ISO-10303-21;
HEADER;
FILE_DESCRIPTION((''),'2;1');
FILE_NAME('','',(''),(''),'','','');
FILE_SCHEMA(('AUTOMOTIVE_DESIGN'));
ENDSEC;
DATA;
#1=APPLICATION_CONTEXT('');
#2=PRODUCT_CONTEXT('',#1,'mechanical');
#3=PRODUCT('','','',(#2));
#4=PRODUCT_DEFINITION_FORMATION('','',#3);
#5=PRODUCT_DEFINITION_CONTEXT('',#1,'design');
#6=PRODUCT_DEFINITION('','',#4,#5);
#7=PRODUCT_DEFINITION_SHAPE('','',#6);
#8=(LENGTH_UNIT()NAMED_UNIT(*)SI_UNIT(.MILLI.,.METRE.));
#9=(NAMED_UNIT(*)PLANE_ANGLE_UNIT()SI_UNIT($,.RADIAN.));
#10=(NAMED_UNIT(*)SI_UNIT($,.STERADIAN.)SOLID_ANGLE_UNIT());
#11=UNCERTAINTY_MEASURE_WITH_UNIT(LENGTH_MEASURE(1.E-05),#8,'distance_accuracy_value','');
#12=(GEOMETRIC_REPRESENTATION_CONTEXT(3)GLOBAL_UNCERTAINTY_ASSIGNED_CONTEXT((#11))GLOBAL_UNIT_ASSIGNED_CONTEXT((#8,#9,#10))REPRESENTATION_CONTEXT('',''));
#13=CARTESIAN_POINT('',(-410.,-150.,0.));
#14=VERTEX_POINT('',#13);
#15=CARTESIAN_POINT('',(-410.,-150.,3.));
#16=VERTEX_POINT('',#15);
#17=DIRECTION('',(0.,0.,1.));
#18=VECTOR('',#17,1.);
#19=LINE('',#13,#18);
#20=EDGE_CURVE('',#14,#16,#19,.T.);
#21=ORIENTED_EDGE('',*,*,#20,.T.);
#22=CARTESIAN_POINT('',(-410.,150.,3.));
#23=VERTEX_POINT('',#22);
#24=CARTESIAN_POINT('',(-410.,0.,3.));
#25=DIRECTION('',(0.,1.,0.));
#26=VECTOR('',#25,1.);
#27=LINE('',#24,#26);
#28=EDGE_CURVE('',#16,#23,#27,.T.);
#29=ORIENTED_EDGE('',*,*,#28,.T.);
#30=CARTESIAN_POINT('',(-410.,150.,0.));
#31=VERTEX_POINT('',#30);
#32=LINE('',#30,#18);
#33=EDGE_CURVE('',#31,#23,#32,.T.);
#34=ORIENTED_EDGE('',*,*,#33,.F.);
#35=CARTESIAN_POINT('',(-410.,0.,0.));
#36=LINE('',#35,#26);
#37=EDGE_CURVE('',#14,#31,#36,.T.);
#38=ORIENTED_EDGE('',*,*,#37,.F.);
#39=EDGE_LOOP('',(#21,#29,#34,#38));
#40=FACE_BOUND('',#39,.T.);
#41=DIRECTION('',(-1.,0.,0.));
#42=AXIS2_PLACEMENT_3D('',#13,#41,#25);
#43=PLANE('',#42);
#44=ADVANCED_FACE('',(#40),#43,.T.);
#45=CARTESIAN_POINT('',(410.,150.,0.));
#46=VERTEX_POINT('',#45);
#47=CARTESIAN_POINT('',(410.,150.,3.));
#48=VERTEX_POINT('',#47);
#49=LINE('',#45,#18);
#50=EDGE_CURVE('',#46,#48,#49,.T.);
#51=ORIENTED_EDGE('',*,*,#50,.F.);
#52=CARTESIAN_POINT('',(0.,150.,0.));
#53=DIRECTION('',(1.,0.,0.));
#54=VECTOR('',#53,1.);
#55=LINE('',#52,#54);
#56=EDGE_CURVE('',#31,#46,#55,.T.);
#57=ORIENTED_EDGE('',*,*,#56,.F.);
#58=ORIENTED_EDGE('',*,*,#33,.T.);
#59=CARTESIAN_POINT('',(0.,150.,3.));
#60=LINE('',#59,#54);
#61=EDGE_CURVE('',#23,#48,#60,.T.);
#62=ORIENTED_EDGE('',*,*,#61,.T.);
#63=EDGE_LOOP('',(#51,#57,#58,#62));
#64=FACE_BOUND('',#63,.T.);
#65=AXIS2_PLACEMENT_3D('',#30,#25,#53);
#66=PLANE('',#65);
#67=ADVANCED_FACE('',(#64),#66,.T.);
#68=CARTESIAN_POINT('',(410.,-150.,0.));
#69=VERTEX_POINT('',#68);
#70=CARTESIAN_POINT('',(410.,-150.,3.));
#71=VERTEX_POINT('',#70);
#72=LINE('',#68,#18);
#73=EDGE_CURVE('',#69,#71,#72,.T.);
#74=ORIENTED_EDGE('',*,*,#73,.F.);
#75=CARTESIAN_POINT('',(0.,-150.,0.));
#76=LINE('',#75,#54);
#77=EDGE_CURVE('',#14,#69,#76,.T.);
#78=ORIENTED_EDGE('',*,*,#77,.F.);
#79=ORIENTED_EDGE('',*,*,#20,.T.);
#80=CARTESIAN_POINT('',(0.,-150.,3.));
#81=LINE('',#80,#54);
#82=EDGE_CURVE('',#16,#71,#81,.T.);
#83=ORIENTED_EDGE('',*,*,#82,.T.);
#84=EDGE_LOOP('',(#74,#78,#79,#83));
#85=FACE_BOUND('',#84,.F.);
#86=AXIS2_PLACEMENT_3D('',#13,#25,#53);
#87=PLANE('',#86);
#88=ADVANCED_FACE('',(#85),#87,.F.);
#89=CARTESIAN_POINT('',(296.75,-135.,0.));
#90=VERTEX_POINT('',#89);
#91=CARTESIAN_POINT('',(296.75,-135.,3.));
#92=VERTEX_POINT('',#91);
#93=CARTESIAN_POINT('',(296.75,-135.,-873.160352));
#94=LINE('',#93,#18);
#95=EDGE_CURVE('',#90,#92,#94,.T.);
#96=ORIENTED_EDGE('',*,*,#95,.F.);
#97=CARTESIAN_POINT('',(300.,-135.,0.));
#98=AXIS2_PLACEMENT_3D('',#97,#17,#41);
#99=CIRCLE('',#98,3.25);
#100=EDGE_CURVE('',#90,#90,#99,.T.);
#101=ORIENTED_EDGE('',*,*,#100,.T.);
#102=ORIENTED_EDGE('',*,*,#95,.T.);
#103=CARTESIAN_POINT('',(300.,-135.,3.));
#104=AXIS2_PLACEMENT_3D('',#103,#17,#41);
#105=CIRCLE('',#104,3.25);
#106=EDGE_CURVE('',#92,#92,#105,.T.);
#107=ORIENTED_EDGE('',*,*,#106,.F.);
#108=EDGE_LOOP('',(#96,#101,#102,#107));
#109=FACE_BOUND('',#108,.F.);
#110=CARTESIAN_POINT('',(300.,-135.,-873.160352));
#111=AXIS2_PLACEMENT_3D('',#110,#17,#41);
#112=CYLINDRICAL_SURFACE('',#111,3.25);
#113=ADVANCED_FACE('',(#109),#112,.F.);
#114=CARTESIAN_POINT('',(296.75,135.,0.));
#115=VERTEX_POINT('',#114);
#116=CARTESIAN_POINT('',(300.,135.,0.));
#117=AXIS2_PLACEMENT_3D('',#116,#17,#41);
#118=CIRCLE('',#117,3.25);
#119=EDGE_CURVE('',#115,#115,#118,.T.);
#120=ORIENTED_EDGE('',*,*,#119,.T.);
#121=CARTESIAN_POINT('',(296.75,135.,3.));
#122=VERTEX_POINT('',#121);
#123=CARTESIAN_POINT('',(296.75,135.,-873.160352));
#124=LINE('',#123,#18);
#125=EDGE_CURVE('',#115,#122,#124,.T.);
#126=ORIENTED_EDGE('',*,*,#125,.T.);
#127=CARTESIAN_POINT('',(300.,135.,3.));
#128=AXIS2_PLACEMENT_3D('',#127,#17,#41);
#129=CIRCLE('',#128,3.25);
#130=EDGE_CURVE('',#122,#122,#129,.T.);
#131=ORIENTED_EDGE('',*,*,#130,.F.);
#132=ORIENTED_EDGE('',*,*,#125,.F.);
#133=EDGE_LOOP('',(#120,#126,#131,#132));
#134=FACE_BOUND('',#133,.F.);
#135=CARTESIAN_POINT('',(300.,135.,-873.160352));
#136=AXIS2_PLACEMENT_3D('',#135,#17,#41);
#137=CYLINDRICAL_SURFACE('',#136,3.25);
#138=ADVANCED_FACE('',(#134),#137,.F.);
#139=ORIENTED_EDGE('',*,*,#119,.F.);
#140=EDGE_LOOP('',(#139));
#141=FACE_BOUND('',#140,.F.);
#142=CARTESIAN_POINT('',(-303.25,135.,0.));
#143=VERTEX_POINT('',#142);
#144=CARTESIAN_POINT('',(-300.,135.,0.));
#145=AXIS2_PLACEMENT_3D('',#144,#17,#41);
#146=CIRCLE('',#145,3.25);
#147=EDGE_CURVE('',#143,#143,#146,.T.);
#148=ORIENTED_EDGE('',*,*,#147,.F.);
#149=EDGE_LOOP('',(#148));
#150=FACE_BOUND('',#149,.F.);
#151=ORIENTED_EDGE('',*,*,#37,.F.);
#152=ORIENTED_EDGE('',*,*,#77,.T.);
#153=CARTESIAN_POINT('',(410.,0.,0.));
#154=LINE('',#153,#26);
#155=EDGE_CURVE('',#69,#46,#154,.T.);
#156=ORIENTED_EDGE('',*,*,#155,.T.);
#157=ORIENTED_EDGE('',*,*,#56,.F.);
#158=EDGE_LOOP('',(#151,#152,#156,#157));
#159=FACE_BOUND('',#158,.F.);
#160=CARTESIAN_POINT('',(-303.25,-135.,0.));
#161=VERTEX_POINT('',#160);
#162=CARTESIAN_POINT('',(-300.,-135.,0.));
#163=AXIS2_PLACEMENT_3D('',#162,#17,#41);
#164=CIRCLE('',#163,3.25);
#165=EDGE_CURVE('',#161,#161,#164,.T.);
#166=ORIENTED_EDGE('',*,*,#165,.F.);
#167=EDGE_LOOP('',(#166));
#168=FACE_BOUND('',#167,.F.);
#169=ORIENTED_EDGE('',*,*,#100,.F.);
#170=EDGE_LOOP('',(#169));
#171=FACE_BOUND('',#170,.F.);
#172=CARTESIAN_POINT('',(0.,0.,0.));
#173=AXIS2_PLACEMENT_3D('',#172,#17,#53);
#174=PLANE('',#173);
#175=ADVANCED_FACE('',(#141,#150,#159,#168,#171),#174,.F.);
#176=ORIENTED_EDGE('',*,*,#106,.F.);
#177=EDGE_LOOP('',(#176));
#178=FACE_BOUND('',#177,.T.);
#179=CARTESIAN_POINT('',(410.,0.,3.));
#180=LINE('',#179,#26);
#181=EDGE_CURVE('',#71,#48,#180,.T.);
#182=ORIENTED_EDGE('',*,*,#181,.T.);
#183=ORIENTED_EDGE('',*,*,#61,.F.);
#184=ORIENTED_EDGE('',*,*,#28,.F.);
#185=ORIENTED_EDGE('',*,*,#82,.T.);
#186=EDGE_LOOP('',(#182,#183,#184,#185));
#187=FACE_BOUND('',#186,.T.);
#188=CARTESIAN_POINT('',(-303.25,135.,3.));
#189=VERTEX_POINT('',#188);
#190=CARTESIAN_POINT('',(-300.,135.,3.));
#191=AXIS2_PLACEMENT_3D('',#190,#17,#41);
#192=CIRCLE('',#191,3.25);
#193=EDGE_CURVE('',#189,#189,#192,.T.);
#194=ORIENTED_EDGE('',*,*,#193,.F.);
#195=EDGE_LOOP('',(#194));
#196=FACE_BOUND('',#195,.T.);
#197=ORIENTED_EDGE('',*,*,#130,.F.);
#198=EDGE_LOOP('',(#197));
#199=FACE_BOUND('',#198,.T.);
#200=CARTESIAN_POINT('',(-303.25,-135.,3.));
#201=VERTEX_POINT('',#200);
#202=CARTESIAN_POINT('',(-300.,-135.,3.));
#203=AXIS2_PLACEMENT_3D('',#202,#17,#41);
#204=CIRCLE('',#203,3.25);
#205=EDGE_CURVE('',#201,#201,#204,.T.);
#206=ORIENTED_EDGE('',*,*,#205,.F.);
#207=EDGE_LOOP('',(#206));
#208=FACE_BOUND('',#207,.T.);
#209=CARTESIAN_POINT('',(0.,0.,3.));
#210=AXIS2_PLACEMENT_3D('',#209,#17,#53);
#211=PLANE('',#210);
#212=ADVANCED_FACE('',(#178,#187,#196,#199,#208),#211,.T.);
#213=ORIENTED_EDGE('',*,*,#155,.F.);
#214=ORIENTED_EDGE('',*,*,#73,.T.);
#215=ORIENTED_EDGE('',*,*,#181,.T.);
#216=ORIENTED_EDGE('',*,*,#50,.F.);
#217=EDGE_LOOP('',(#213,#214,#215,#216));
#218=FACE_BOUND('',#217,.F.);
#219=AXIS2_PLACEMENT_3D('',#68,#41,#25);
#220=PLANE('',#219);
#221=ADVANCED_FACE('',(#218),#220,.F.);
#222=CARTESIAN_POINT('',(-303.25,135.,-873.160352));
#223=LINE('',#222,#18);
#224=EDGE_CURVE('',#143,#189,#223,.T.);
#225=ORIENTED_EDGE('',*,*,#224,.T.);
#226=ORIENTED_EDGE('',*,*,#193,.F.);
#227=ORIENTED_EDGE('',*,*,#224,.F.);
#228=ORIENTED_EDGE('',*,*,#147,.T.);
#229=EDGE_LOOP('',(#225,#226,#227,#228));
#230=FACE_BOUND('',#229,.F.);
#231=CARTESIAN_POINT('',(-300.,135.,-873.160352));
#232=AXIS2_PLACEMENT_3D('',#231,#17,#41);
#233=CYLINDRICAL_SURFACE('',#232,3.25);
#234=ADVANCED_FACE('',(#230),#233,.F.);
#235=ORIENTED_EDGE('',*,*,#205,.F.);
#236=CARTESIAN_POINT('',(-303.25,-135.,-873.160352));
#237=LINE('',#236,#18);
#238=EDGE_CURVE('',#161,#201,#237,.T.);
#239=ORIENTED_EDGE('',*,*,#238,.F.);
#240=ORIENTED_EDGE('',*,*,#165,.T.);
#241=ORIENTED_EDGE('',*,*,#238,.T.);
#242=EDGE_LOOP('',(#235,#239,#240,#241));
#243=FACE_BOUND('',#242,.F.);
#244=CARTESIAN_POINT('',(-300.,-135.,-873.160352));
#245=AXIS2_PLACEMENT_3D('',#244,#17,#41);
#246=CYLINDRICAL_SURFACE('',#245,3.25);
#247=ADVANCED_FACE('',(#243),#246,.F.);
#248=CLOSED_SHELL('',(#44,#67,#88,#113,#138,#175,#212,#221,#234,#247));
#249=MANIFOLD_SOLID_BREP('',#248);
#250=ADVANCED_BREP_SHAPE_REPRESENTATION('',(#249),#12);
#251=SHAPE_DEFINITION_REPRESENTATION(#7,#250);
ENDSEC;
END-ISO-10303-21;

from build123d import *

# Parameters (mm, degrees)
F0_W     = 820
F0_H     = 300
F1_DEPTH = 3
F3_D     = 6.5


with BuildPart() as f1:
    # F0 (on Top) → F1 (new body)
    with BuildSketch(Plane.XY):
        Rectangle(F0_W, F0_H)
    extrude(amount=F1_DEPTH)

    # F3 (through all)
    with Locations(Plane(origin=(0, 0, 0), x_dir=(1, 0, 0), z_dir=(0, 0, -1))):
        with Locations((-300, 135), (-300, -135), (300, -135), (300, 135)):
            Hole(F3_D / 2)


solid = f1.part
